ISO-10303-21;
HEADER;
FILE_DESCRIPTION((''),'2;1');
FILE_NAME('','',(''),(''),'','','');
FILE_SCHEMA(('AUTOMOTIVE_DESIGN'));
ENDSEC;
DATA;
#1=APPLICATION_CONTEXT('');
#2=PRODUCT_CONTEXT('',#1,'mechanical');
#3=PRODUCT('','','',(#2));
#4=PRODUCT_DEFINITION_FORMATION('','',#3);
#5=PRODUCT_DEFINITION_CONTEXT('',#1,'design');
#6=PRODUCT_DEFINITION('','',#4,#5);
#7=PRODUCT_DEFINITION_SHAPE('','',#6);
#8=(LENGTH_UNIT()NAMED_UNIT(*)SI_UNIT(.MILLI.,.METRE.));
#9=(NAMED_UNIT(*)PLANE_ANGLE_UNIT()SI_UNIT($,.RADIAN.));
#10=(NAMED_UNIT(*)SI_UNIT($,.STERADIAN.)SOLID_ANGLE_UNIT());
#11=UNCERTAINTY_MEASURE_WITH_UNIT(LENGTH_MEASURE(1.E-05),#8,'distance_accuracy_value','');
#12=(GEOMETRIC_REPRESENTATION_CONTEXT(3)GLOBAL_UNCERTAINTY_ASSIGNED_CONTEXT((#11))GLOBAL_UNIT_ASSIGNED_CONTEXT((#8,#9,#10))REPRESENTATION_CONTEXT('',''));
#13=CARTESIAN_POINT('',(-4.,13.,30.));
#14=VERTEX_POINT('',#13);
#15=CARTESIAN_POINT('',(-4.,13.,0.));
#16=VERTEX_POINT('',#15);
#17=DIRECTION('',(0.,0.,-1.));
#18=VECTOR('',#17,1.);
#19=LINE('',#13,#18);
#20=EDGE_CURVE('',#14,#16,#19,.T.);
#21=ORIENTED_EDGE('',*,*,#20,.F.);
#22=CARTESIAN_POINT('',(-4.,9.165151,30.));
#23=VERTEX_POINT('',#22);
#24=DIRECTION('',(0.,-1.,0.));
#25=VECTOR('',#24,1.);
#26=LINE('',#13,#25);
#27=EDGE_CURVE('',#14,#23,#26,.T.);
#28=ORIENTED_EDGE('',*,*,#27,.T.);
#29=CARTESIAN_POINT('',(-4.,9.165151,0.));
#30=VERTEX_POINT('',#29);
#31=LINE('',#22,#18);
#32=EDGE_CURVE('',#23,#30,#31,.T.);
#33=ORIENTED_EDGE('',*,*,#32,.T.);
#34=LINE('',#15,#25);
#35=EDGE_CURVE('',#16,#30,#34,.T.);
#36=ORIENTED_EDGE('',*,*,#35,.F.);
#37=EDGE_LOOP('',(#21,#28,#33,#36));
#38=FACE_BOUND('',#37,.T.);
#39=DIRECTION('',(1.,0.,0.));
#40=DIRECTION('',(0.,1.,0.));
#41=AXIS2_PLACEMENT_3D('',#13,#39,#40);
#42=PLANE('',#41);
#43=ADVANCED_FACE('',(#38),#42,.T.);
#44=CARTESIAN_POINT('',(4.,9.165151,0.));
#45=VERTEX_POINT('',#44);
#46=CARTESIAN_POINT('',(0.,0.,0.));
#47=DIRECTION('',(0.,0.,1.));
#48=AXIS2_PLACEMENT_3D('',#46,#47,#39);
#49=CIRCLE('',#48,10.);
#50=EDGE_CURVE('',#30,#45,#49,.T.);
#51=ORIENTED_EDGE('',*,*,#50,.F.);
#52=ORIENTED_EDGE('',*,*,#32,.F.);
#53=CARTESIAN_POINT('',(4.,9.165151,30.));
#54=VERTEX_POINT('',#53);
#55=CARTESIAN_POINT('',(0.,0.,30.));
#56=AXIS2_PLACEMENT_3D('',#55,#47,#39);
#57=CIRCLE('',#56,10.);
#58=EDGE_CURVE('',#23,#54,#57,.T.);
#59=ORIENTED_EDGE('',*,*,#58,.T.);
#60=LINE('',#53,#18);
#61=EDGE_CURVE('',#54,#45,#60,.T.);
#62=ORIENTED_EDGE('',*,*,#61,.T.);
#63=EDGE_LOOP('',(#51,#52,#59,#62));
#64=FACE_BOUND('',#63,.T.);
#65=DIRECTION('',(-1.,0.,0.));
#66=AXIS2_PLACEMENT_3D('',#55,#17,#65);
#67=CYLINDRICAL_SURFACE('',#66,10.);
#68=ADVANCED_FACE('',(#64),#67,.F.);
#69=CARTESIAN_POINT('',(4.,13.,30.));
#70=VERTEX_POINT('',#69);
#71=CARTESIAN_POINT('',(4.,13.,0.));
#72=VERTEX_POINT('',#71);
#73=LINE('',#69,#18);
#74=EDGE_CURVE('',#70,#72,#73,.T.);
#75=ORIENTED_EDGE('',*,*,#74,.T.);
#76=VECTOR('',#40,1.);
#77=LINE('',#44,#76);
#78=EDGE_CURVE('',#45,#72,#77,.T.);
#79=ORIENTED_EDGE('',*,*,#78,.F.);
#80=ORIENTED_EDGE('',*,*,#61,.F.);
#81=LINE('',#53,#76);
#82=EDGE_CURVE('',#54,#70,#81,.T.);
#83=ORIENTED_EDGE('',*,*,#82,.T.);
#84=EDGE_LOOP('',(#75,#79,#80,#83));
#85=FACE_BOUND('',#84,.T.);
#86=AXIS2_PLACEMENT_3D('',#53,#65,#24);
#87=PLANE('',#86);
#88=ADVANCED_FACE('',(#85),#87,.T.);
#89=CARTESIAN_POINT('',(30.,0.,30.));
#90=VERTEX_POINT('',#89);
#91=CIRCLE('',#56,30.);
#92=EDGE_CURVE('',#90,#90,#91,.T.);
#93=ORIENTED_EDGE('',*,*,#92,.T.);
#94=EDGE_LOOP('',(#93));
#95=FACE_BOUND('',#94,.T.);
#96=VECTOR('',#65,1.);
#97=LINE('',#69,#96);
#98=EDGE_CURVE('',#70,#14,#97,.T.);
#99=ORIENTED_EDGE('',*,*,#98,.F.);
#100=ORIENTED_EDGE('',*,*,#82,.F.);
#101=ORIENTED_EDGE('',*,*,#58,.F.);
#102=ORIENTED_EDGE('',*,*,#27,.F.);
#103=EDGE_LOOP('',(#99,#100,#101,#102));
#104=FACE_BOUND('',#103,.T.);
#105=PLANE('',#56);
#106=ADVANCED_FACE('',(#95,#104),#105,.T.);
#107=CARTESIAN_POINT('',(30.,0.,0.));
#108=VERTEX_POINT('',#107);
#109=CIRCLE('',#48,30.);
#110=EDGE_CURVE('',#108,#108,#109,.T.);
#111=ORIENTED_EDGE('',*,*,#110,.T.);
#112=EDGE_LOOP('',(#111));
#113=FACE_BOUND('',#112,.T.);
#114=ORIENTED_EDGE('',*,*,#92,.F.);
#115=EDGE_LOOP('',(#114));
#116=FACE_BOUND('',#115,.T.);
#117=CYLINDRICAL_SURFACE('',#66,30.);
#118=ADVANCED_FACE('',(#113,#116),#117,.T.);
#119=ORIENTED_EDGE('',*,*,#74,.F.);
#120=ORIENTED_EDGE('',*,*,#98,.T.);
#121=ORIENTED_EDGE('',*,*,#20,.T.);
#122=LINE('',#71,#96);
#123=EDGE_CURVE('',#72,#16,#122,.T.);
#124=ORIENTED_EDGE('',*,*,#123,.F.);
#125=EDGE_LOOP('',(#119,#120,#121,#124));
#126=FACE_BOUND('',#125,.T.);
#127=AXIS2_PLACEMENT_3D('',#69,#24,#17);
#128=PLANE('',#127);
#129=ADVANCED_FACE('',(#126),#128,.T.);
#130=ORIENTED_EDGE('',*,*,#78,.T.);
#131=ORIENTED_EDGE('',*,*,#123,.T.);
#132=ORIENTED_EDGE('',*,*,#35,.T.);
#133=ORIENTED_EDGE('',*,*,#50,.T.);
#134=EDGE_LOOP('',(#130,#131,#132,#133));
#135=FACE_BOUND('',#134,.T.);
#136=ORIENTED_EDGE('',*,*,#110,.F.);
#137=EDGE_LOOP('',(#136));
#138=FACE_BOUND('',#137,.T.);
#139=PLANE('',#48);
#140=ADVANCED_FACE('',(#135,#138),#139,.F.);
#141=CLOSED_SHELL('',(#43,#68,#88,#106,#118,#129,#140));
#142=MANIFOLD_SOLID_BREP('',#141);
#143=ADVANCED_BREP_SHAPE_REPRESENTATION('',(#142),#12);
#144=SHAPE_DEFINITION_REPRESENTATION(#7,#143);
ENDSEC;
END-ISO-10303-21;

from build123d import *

# Parameters (mm, degrees)
SKETCH1_R           = 30
BOSS_EXTRUDE1_DEPTH = 30


with BuildPart() as part:
    # Sketch1 → Boss-Extrude1 (new body)
    with BuildSketch(Plane.XY):
        Circle(SKETCH1_R)
        with BuildLine():
            Line((4, 9.16515139), (4, 13))
            Line((4, 13), (-4, 13))
            Line((-4, 13), (-4, 9.16515139))
            ThreePointArc((-4, 9.16515139), (0, -10), (4, 9.16515139))
        make_face(mode=Mode.SUBTRACT)
    extrude(amount=BOSS_EXTRUDE1_DEPTH)


solid = part.part
